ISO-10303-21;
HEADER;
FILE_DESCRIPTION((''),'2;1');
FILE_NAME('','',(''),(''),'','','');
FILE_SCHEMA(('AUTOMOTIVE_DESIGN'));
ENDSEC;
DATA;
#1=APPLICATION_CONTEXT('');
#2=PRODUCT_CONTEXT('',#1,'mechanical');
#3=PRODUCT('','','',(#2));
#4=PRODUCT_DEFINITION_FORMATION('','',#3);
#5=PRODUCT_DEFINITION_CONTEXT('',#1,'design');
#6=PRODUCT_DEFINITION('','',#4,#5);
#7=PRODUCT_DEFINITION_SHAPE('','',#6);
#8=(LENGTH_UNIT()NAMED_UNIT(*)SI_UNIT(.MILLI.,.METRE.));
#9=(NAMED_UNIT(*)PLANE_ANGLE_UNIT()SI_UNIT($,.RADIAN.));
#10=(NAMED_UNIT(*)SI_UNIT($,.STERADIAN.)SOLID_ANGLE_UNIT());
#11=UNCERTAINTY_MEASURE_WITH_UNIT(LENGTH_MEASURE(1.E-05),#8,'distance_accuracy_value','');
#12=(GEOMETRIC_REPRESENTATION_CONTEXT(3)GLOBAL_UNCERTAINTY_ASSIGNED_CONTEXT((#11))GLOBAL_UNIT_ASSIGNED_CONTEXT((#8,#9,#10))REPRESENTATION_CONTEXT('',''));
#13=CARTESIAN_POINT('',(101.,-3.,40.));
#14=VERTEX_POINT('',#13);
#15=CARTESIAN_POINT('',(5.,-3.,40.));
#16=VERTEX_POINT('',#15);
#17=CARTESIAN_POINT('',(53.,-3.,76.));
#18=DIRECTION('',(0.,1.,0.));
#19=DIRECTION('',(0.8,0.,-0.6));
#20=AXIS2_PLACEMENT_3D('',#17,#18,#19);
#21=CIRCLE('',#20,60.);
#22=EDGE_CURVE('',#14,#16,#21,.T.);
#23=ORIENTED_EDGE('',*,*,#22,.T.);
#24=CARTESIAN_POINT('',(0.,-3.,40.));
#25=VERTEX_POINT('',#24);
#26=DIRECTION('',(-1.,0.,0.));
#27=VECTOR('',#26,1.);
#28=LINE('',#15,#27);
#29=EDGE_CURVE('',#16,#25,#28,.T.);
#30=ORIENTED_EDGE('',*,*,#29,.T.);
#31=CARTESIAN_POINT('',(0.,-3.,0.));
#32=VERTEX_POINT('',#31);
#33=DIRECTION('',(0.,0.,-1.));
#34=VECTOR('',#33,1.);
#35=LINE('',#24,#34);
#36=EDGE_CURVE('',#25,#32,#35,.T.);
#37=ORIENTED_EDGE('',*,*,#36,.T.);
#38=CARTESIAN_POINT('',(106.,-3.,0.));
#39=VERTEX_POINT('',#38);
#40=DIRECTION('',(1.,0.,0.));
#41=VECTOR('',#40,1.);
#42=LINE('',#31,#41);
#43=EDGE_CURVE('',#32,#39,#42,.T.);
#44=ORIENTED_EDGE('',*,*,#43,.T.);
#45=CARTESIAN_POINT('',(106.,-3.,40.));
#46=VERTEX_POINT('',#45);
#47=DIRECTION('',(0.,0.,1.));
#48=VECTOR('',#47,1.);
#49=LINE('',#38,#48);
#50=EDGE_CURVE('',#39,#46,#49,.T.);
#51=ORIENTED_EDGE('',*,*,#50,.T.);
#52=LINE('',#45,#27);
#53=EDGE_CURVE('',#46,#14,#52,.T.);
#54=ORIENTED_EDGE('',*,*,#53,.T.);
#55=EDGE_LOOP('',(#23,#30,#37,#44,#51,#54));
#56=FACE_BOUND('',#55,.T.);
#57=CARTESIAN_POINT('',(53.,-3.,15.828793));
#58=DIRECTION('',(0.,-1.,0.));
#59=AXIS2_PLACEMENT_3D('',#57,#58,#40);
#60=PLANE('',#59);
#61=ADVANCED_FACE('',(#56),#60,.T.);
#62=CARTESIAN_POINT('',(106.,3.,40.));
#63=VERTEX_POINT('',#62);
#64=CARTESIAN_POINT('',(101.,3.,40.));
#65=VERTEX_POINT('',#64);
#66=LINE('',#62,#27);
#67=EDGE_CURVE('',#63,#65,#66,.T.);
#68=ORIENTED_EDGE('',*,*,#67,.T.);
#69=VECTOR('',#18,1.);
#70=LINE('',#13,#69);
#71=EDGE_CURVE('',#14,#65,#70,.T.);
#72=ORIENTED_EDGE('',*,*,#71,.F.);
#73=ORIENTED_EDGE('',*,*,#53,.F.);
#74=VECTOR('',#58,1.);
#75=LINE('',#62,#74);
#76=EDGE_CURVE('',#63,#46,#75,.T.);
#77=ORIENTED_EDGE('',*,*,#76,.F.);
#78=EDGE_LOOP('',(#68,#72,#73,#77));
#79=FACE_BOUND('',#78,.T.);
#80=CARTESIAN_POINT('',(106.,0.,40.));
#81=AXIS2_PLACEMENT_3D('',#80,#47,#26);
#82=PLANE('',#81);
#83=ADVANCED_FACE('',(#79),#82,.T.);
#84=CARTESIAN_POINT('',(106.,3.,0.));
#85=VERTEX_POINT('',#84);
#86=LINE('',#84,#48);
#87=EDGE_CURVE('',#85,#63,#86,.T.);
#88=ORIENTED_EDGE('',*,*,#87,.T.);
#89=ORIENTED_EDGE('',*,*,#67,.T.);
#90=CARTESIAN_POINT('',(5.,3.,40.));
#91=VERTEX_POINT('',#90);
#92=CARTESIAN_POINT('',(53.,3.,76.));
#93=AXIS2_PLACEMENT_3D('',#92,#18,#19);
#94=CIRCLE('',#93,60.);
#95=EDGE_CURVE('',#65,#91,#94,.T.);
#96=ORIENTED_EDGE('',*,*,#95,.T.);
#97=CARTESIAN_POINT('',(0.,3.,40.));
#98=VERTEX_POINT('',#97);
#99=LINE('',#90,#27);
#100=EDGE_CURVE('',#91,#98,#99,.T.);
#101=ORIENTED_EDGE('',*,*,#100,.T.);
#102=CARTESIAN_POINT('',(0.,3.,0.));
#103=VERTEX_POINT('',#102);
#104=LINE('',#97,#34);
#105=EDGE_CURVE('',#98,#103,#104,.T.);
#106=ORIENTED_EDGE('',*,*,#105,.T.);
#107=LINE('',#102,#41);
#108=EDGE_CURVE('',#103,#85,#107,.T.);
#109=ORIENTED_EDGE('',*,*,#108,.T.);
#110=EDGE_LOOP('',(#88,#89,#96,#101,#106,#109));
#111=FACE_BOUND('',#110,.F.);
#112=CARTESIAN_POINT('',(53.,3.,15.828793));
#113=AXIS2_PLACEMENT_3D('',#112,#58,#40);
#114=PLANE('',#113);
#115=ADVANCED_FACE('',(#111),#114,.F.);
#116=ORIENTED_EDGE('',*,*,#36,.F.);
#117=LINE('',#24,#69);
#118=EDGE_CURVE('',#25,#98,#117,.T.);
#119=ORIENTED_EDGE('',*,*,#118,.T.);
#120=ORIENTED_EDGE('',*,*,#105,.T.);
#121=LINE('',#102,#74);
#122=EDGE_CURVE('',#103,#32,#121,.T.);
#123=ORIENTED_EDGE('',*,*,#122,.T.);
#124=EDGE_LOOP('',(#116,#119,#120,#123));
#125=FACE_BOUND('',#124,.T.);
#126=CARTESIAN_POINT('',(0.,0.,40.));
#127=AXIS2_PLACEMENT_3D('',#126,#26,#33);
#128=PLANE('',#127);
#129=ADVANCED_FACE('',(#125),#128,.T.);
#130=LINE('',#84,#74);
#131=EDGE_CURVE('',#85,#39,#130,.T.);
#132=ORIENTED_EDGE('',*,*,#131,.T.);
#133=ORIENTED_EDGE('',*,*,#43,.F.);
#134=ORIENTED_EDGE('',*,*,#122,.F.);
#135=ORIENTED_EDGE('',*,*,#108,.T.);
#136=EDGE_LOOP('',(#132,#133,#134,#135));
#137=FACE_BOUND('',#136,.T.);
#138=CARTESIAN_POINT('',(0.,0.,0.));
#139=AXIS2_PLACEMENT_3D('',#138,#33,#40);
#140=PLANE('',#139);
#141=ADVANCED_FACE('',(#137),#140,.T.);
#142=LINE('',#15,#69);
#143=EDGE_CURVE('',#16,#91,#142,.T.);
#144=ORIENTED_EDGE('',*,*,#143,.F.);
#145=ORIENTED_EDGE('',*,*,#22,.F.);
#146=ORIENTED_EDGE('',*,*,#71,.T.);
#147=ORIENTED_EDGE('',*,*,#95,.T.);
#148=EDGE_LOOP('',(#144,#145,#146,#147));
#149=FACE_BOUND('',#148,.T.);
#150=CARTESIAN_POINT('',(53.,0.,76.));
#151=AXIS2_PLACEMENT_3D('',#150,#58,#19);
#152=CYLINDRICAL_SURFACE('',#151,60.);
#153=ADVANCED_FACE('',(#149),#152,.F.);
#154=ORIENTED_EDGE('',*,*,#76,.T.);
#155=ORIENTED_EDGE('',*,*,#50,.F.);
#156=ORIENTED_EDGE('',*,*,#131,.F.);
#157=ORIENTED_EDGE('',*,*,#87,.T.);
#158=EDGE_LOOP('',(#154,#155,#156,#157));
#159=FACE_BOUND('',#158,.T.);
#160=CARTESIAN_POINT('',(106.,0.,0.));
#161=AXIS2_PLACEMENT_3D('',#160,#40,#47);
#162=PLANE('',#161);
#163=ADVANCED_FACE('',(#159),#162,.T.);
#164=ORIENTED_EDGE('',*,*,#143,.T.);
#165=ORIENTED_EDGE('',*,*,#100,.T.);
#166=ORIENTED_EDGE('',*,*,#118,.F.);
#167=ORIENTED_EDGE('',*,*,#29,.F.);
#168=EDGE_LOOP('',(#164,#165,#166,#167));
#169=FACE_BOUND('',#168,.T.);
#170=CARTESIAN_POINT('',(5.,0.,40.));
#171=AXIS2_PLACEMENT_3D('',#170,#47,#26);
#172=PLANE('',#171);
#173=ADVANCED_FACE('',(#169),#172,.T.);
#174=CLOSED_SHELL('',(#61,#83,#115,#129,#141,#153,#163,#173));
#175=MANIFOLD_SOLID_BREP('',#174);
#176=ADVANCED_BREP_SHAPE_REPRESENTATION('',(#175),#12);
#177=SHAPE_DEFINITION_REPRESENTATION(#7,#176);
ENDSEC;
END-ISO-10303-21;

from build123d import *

# Parameters (mm, degrees)
F1_DEPTH = 3


with BuildPart() as f1:
    # F0 (on Front) → F1 (new body, symmetric)
    with BuildSketch(Plane.XZ):
        with BuildLine():
            Line((0, 40), (0, 0))
            Line((0, 0), (106, 0))
            Line((106, 0), (106, 40))
            Line((106, 40), (101, 40))
            ThreePointArc((101, 40), (53, 16), (5, 40))
            Line((5, 40), (0, 40))
        make_face()
    extrude(amount=F1_DEPTH, both=True)


solid = f1.part
